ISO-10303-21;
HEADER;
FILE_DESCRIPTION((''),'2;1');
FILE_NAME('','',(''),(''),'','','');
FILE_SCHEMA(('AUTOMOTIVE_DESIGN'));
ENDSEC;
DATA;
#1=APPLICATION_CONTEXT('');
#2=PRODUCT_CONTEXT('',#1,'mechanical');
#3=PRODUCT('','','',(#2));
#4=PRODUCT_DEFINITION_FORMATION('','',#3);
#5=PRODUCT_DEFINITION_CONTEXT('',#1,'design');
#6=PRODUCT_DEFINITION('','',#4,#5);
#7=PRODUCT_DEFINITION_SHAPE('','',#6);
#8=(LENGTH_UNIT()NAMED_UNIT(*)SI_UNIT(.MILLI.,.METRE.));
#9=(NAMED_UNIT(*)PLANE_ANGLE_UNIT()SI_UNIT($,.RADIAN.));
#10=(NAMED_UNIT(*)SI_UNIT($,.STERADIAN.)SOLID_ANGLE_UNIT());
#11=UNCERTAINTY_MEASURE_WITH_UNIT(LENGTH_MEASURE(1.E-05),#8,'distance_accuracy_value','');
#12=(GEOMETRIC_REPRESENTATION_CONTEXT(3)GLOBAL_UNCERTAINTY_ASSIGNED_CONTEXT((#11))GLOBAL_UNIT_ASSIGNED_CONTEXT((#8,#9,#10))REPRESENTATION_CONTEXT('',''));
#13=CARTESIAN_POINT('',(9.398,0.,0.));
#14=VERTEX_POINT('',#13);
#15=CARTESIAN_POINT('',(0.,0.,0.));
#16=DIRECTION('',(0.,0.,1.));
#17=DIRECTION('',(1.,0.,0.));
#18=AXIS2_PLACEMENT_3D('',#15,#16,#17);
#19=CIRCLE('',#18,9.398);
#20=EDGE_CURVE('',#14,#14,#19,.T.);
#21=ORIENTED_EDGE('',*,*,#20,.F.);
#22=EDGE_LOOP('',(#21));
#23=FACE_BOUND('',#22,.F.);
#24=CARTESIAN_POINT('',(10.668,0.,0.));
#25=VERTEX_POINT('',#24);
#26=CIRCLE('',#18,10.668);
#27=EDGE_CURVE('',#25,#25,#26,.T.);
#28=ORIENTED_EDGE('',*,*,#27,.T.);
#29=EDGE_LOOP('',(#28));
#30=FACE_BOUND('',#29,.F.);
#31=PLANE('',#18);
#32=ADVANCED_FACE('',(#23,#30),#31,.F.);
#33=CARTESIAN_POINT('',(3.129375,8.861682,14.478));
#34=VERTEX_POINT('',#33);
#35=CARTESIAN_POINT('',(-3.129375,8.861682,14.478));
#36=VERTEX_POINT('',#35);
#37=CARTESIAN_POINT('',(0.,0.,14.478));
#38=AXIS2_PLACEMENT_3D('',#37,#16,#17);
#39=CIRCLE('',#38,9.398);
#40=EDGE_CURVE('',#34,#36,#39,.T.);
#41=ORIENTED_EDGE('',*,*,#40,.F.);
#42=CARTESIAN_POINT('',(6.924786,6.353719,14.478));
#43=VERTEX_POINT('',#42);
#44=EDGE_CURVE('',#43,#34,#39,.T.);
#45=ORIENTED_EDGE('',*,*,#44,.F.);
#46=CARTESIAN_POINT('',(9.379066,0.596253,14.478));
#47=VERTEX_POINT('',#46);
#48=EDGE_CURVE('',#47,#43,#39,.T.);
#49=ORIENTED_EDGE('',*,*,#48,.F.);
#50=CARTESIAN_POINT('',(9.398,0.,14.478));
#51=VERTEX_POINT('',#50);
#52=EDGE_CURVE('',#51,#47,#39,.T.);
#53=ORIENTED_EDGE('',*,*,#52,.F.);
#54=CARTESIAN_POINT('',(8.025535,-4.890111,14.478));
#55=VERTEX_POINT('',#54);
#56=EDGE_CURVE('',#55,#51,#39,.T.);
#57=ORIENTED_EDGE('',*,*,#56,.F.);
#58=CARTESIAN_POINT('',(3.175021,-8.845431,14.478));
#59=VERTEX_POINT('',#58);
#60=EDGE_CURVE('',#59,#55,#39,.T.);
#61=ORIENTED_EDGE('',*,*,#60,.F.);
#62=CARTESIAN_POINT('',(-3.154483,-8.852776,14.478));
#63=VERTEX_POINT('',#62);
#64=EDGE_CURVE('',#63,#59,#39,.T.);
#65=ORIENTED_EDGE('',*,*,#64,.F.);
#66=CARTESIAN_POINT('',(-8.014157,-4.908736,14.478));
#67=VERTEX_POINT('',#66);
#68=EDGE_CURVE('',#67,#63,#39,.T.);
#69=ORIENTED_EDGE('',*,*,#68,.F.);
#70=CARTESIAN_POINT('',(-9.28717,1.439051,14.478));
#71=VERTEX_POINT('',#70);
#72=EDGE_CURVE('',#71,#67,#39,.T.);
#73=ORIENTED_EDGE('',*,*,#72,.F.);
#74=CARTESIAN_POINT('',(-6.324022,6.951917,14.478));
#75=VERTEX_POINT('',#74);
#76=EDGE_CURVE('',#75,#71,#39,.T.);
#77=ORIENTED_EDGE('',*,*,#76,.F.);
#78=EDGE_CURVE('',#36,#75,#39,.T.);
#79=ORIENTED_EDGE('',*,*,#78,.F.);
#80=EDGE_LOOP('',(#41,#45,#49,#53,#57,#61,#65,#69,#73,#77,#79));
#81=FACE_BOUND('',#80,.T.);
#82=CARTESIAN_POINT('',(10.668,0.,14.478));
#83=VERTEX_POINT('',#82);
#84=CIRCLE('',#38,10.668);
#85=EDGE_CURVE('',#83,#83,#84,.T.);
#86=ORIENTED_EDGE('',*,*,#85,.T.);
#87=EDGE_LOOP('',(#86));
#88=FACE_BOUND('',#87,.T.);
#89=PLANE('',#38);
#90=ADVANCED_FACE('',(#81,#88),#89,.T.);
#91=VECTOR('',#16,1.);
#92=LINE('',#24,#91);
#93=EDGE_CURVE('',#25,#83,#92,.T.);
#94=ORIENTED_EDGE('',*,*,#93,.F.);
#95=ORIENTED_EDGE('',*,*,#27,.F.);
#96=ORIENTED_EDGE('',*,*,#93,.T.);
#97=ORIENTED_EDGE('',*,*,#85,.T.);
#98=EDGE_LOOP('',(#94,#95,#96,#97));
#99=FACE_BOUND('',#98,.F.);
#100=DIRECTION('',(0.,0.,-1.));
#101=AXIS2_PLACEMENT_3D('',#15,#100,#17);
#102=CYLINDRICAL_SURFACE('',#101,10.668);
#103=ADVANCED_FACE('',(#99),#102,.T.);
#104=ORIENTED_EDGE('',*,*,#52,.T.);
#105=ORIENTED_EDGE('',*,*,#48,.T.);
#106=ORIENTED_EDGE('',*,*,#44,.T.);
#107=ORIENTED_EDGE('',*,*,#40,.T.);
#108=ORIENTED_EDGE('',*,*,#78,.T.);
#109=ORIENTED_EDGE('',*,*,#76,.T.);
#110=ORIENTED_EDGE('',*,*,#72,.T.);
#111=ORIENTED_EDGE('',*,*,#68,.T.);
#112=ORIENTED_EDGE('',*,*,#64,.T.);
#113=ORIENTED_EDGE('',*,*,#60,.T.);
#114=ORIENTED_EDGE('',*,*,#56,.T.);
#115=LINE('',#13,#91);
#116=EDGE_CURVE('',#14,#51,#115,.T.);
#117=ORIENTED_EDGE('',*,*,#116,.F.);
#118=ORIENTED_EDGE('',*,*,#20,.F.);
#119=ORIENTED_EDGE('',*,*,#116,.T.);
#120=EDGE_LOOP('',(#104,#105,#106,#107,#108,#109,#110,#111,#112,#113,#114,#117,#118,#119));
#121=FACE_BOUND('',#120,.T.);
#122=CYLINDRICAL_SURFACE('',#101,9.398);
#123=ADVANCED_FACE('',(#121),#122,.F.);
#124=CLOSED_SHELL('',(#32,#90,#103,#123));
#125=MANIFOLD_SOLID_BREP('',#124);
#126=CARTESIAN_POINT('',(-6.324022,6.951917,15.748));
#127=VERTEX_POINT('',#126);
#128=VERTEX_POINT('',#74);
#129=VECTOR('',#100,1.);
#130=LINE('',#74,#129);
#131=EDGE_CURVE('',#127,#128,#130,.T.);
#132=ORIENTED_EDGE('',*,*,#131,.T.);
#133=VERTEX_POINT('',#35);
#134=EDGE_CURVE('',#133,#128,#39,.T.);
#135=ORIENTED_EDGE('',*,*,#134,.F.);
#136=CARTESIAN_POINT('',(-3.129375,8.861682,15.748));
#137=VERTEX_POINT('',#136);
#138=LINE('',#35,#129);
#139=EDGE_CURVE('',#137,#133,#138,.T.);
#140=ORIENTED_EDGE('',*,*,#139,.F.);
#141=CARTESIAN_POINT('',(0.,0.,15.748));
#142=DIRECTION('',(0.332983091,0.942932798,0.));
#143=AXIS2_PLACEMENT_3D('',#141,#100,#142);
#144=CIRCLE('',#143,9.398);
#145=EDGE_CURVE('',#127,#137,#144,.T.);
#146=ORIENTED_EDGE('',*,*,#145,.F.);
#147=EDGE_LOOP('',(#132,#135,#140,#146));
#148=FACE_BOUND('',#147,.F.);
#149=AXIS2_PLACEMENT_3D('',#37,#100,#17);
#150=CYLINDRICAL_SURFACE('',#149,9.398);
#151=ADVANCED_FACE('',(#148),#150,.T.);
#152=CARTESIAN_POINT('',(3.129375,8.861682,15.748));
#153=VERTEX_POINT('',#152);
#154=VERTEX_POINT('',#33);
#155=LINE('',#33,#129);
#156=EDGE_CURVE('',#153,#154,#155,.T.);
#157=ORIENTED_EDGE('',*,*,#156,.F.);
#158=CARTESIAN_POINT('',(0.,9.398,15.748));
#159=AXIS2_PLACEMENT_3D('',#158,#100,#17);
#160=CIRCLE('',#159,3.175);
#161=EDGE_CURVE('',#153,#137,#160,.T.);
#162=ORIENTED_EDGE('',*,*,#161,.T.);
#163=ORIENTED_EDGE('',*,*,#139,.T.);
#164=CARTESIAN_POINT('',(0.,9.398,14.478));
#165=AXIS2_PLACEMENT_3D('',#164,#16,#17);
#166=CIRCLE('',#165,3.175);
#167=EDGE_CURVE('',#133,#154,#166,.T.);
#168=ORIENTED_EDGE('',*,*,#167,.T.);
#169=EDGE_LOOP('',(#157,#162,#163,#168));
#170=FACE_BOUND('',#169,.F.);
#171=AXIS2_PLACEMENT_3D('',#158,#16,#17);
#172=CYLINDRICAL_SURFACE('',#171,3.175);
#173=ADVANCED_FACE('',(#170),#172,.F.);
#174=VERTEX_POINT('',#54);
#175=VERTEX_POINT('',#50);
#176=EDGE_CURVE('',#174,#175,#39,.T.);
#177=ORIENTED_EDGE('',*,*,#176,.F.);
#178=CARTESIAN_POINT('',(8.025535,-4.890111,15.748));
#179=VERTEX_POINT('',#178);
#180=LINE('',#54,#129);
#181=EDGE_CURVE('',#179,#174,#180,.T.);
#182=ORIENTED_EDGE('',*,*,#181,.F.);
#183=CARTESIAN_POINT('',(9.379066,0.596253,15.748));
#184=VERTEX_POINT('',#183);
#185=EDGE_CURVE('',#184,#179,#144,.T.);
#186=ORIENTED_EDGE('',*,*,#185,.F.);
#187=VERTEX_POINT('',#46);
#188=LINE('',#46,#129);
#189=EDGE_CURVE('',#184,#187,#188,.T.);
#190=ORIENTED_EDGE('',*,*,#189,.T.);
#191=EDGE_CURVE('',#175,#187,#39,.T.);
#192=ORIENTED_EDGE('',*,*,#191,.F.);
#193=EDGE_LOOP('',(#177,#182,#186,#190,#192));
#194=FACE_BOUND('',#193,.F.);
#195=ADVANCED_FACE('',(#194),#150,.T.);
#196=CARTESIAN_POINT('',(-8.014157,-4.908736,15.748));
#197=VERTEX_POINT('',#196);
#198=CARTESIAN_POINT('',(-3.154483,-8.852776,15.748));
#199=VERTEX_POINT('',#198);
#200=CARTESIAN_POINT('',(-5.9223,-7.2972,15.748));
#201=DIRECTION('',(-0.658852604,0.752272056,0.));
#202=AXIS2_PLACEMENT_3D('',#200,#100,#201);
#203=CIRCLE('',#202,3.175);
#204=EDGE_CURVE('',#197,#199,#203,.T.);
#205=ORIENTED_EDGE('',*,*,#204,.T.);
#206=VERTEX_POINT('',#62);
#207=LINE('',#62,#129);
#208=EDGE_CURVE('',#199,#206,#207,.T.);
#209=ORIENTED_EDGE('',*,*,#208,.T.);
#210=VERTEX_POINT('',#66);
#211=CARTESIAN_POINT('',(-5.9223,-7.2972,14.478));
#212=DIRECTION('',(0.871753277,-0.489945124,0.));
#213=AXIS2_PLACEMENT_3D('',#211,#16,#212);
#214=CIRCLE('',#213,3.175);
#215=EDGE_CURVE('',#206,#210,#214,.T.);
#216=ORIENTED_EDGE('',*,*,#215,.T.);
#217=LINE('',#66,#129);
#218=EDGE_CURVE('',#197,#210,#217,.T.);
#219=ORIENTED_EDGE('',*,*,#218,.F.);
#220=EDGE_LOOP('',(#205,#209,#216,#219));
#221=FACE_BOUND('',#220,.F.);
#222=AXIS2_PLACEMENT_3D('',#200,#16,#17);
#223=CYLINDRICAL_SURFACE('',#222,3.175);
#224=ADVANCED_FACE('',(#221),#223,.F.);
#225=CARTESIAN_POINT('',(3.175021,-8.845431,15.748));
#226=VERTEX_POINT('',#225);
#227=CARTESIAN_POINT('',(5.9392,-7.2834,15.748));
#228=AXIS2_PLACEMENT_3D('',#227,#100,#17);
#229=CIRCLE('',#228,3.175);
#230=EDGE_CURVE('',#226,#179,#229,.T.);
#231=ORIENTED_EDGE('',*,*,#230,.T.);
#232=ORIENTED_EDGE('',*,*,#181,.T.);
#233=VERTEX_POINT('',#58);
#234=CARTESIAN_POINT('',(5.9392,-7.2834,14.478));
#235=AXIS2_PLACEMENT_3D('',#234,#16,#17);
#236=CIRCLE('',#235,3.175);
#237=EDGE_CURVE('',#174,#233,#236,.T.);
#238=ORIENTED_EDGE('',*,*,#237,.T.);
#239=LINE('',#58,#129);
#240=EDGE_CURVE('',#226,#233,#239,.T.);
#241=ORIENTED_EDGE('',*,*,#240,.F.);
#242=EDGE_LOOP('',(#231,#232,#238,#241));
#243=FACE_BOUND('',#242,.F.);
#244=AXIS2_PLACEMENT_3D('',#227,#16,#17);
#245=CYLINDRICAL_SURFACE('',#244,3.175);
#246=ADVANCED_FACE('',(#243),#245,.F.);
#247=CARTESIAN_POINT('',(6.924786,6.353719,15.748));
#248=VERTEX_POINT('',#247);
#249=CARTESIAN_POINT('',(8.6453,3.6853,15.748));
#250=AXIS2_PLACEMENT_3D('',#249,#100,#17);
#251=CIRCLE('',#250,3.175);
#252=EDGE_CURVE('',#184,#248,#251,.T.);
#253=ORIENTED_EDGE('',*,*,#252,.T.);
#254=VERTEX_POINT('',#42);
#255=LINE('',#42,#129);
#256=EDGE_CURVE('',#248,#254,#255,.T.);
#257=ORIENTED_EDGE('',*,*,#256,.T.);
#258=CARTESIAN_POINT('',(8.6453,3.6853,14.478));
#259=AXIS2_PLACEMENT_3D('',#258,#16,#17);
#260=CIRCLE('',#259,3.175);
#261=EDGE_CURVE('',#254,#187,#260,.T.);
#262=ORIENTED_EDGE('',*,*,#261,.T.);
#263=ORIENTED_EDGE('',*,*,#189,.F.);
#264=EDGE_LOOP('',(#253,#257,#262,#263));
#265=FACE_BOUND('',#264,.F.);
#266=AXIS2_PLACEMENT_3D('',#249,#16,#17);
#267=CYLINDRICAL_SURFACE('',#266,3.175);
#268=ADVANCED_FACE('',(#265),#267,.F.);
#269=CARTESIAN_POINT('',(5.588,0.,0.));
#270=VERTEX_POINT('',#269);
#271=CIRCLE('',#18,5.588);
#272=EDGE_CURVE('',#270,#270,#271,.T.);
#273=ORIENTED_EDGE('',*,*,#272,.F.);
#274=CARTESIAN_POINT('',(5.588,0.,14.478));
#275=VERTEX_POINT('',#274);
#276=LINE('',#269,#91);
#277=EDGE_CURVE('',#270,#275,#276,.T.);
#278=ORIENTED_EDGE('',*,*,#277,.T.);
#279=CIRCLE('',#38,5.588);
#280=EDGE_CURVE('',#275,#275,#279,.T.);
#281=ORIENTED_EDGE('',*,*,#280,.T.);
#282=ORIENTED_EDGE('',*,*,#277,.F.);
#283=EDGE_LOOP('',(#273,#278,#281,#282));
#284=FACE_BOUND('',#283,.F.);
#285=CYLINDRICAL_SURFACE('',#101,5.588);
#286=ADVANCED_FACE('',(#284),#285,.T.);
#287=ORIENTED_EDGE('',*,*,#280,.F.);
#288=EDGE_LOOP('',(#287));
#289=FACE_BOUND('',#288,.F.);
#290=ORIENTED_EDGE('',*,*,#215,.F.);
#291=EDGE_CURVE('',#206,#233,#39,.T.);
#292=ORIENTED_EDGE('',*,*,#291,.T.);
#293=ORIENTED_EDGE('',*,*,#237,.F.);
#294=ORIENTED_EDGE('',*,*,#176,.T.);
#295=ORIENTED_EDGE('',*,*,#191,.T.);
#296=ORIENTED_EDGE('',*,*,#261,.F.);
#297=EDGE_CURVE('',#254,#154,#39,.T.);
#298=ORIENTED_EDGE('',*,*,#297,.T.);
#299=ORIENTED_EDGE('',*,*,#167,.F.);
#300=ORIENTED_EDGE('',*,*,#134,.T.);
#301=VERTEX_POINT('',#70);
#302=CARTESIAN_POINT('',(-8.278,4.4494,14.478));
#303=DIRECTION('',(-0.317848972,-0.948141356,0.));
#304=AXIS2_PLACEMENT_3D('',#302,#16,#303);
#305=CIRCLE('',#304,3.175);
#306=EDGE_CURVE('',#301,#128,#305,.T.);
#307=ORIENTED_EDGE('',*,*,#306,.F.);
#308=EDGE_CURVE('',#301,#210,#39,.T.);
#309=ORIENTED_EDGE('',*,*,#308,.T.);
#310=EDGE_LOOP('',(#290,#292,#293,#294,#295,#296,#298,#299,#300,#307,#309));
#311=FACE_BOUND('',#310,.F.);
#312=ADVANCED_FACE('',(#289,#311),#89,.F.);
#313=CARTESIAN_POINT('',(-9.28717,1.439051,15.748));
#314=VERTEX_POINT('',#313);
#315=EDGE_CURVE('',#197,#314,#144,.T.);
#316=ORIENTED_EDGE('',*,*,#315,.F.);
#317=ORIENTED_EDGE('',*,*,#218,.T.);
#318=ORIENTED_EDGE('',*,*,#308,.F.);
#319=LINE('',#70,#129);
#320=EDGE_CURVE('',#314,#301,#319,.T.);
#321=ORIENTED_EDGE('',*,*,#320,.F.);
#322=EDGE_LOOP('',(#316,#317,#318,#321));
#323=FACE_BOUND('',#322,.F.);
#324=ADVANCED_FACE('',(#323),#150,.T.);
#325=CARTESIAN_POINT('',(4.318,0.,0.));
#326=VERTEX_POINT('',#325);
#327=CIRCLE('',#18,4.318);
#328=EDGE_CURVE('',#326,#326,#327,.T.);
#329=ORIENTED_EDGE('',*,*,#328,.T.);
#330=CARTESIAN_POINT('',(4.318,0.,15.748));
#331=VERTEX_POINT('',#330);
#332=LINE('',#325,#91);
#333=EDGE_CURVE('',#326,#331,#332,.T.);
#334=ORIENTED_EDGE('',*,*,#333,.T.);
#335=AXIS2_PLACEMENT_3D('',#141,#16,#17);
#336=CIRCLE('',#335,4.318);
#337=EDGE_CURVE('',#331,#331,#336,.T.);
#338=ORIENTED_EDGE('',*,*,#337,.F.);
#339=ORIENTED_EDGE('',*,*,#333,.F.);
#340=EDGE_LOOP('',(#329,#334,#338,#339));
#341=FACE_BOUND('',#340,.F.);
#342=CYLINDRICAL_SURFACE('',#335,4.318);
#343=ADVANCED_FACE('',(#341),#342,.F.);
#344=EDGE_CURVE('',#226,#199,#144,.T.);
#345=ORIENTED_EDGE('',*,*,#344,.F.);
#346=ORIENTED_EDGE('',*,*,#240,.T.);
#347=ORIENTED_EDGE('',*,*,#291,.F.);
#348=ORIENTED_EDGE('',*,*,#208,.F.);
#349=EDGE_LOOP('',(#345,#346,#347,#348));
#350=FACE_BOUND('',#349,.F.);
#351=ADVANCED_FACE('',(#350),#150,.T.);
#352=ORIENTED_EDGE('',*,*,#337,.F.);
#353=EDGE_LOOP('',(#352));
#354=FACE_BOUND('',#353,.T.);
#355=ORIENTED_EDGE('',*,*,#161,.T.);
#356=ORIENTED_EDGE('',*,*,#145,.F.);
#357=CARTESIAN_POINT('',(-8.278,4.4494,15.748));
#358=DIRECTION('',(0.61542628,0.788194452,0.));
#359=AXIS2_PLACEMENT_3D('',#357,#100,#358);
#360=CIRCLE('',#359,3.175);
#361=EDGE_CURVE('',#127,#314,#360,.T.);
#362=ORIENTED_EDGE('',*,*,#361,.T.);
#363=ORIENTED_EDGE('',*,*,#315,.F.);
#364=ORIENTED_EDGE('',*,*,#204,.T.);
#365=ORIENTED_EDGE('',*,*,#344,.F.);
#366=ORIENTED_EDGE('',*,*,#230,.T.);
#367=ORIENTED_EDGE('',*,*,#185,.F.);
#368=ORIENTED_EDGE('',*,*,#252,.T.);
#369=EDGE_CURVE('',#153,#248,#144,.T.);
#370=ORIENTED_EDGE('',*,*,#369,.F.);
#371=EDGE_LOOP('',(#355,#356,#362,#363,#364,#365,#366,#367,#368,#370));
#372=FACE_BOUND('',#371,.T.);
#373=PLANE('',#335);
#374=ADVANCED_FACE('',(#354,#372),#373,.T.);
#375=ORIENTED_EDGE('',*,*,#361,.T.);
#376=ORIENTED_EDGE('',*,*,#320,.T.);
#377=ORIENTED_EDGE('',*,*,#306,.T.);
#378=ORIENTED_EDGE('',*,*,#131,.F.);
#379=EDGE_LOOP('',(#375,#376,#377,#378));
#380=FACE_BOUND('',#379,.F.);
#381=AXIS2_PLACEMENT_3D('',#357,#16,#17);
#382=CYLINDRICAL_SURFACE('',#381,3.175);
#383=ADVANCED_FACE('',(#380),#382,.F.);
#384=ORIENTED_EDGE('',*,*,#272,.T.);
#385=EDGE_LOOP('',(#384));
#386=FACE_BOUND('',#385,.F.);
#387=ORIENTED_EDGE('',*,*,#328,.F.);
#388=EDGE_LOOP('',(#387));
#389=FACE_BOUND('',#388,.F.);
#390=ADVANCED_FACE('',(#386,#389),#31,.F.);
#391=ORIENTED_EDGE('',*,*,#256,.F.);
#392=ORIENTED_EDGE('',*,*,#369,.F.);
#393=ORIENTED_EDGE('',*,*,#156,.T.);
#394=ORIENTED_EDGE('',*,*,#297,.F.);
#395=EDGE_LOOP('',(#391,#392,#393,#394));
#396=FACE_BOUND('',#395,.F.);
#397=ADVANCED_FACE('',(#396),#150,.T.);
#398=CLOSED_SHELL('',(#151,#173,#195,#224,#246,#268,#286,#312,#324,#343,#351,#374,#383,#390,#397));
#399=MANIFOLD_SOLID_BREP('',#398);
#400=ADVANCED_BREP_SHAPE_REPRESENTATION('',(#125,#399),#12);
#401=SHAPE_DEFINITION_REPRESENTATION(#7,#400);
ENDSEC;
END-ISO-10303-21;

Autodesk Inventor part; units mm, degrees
ref_plane "YZ Plane" through (0, 0, 0) normal (1, 0, 0) x (0, 1, 0)
ref_plane "XZ Plane" through (0, 0, 0) normal (0, 1, 0) x (-1, 0, 0)
sketch "Sketch1" plane through (0, 0, 0) normal (0, 0, 1) x (1, 0, 0)
  circle A0 centre (0, 0) radius 10.668
  circle A1 centre (0, 0) radius 9.398
  circle A2 centre (0, 0) radius 5.588
  circle A3 centre (0, 0) radius 4.318
  dimension "d0" = 21.336
  dimension "d1" = 1.27
  dimension "d2" = 11.176
  dimension "d3" = 1.27
extrude "Extrusion1" add sketch "Sketch1" along normal blind 14.478
ref_plane "Work Plane1" through (0, 0, 7.239) normal (0, 0, 1) x (1, 0, 0)
sketch "Sketch2" plane through (0, 0, 14.478) normal (0, 0, 1) x (1, 0, 0)
  circle A0 centre (0, 0) radius 9.398
  circle A1 centre (0, 0) radius 10.668 projected
  dimension "d6" = 1.27
extrude "Extrusion2" add sketch "Sketch2" along normal blind 1.27 contours A0
sketch "Sketch3" plane through (0, 0, 15.748) normal (0, 0, 1) x (1, 0, 0)
  circle A0 centre (0, 0) radius 4.318
extrude "Extrusion3" cut sketch "Sketch3" against normal blind 1.27
sketch "Sketch4" plane through (0, 0, 15.748) normal (0, 0, 1) x (1, 0, 0)
  circle A0 centre (0, 0) radius 9.398 projected
  circle A1 centre (0, 9.398) radius 3.175
  dimension "d11" = 6.35
extrude "Extrusion4" cut sketch "Sketch4" against normal blind 1.27 contours A1 A0 | A0 A1 picked at (0, 8.2996) picked at (-0.0897, 10.4125)
sketch "Sketch5" plane through (0, 0, 15.748) normal (0, 0, 1) x (1, 0, 0)
  circle A0 centre (0, 0) radius 9.398 projected
  circle A1 centre (5.9392, -7.2834) radius 3.175
  dimension "d14" = 6.35
extrude "Extrusion5" cut sketch "Sketch5" against normal blind 1.27 contours A1 A0 | A0 A1 picked at (5.2451, -6.4322) picked at (6.5249, -8.1165)
sketch "Sketch6" plane through (0, 0, 15.748) normal (0, 0, 1) x (1, 0, 0)
  arc A0 (-3.1294, 8.8617) -> (3.1751, -8.8454) centre (0, 0) ccw projected
  circle A1 centre (-5.9223, -7.2972) radius 3.175
  dimension "d17" = 6.35
extrude "Extrusion6" cut sketch "Sketch6" against normal blind 1.27
sketch "Sketch7" plane through (0, 0, 15.748) normal (0, 0, 1) x (1, 0, 0)
  circle A0 centre (0, 0) radius 9.398 projected
  circle A1 centre (-8.278, 4.4494) radius 3.175
  dimension "d20" = 6.35
extrude "Extrusion7" cut sketch "Sketch7" against normal blind 1.27 contours A1 A0 | A0 A1 picked at (-7.3008, 3.9478) picked at (-9.1749, 4.9315)
sketch "Sketch8" plane through (0, 0, 15.748) normal (0, 0, 1) x (1, 0, 0)
  arc A0 (8.0256, -4.8901) -> (3.1294, 8.8617) centre (0, 0) ccw projected
  circle A1 centre (8.6453, 3.6853) radius 3.175
  dimension "d23" = 6.35
extrude "Extrusion8" cut sketch "Sketch8" against normal blind 1.27
properties part number "wheel"
